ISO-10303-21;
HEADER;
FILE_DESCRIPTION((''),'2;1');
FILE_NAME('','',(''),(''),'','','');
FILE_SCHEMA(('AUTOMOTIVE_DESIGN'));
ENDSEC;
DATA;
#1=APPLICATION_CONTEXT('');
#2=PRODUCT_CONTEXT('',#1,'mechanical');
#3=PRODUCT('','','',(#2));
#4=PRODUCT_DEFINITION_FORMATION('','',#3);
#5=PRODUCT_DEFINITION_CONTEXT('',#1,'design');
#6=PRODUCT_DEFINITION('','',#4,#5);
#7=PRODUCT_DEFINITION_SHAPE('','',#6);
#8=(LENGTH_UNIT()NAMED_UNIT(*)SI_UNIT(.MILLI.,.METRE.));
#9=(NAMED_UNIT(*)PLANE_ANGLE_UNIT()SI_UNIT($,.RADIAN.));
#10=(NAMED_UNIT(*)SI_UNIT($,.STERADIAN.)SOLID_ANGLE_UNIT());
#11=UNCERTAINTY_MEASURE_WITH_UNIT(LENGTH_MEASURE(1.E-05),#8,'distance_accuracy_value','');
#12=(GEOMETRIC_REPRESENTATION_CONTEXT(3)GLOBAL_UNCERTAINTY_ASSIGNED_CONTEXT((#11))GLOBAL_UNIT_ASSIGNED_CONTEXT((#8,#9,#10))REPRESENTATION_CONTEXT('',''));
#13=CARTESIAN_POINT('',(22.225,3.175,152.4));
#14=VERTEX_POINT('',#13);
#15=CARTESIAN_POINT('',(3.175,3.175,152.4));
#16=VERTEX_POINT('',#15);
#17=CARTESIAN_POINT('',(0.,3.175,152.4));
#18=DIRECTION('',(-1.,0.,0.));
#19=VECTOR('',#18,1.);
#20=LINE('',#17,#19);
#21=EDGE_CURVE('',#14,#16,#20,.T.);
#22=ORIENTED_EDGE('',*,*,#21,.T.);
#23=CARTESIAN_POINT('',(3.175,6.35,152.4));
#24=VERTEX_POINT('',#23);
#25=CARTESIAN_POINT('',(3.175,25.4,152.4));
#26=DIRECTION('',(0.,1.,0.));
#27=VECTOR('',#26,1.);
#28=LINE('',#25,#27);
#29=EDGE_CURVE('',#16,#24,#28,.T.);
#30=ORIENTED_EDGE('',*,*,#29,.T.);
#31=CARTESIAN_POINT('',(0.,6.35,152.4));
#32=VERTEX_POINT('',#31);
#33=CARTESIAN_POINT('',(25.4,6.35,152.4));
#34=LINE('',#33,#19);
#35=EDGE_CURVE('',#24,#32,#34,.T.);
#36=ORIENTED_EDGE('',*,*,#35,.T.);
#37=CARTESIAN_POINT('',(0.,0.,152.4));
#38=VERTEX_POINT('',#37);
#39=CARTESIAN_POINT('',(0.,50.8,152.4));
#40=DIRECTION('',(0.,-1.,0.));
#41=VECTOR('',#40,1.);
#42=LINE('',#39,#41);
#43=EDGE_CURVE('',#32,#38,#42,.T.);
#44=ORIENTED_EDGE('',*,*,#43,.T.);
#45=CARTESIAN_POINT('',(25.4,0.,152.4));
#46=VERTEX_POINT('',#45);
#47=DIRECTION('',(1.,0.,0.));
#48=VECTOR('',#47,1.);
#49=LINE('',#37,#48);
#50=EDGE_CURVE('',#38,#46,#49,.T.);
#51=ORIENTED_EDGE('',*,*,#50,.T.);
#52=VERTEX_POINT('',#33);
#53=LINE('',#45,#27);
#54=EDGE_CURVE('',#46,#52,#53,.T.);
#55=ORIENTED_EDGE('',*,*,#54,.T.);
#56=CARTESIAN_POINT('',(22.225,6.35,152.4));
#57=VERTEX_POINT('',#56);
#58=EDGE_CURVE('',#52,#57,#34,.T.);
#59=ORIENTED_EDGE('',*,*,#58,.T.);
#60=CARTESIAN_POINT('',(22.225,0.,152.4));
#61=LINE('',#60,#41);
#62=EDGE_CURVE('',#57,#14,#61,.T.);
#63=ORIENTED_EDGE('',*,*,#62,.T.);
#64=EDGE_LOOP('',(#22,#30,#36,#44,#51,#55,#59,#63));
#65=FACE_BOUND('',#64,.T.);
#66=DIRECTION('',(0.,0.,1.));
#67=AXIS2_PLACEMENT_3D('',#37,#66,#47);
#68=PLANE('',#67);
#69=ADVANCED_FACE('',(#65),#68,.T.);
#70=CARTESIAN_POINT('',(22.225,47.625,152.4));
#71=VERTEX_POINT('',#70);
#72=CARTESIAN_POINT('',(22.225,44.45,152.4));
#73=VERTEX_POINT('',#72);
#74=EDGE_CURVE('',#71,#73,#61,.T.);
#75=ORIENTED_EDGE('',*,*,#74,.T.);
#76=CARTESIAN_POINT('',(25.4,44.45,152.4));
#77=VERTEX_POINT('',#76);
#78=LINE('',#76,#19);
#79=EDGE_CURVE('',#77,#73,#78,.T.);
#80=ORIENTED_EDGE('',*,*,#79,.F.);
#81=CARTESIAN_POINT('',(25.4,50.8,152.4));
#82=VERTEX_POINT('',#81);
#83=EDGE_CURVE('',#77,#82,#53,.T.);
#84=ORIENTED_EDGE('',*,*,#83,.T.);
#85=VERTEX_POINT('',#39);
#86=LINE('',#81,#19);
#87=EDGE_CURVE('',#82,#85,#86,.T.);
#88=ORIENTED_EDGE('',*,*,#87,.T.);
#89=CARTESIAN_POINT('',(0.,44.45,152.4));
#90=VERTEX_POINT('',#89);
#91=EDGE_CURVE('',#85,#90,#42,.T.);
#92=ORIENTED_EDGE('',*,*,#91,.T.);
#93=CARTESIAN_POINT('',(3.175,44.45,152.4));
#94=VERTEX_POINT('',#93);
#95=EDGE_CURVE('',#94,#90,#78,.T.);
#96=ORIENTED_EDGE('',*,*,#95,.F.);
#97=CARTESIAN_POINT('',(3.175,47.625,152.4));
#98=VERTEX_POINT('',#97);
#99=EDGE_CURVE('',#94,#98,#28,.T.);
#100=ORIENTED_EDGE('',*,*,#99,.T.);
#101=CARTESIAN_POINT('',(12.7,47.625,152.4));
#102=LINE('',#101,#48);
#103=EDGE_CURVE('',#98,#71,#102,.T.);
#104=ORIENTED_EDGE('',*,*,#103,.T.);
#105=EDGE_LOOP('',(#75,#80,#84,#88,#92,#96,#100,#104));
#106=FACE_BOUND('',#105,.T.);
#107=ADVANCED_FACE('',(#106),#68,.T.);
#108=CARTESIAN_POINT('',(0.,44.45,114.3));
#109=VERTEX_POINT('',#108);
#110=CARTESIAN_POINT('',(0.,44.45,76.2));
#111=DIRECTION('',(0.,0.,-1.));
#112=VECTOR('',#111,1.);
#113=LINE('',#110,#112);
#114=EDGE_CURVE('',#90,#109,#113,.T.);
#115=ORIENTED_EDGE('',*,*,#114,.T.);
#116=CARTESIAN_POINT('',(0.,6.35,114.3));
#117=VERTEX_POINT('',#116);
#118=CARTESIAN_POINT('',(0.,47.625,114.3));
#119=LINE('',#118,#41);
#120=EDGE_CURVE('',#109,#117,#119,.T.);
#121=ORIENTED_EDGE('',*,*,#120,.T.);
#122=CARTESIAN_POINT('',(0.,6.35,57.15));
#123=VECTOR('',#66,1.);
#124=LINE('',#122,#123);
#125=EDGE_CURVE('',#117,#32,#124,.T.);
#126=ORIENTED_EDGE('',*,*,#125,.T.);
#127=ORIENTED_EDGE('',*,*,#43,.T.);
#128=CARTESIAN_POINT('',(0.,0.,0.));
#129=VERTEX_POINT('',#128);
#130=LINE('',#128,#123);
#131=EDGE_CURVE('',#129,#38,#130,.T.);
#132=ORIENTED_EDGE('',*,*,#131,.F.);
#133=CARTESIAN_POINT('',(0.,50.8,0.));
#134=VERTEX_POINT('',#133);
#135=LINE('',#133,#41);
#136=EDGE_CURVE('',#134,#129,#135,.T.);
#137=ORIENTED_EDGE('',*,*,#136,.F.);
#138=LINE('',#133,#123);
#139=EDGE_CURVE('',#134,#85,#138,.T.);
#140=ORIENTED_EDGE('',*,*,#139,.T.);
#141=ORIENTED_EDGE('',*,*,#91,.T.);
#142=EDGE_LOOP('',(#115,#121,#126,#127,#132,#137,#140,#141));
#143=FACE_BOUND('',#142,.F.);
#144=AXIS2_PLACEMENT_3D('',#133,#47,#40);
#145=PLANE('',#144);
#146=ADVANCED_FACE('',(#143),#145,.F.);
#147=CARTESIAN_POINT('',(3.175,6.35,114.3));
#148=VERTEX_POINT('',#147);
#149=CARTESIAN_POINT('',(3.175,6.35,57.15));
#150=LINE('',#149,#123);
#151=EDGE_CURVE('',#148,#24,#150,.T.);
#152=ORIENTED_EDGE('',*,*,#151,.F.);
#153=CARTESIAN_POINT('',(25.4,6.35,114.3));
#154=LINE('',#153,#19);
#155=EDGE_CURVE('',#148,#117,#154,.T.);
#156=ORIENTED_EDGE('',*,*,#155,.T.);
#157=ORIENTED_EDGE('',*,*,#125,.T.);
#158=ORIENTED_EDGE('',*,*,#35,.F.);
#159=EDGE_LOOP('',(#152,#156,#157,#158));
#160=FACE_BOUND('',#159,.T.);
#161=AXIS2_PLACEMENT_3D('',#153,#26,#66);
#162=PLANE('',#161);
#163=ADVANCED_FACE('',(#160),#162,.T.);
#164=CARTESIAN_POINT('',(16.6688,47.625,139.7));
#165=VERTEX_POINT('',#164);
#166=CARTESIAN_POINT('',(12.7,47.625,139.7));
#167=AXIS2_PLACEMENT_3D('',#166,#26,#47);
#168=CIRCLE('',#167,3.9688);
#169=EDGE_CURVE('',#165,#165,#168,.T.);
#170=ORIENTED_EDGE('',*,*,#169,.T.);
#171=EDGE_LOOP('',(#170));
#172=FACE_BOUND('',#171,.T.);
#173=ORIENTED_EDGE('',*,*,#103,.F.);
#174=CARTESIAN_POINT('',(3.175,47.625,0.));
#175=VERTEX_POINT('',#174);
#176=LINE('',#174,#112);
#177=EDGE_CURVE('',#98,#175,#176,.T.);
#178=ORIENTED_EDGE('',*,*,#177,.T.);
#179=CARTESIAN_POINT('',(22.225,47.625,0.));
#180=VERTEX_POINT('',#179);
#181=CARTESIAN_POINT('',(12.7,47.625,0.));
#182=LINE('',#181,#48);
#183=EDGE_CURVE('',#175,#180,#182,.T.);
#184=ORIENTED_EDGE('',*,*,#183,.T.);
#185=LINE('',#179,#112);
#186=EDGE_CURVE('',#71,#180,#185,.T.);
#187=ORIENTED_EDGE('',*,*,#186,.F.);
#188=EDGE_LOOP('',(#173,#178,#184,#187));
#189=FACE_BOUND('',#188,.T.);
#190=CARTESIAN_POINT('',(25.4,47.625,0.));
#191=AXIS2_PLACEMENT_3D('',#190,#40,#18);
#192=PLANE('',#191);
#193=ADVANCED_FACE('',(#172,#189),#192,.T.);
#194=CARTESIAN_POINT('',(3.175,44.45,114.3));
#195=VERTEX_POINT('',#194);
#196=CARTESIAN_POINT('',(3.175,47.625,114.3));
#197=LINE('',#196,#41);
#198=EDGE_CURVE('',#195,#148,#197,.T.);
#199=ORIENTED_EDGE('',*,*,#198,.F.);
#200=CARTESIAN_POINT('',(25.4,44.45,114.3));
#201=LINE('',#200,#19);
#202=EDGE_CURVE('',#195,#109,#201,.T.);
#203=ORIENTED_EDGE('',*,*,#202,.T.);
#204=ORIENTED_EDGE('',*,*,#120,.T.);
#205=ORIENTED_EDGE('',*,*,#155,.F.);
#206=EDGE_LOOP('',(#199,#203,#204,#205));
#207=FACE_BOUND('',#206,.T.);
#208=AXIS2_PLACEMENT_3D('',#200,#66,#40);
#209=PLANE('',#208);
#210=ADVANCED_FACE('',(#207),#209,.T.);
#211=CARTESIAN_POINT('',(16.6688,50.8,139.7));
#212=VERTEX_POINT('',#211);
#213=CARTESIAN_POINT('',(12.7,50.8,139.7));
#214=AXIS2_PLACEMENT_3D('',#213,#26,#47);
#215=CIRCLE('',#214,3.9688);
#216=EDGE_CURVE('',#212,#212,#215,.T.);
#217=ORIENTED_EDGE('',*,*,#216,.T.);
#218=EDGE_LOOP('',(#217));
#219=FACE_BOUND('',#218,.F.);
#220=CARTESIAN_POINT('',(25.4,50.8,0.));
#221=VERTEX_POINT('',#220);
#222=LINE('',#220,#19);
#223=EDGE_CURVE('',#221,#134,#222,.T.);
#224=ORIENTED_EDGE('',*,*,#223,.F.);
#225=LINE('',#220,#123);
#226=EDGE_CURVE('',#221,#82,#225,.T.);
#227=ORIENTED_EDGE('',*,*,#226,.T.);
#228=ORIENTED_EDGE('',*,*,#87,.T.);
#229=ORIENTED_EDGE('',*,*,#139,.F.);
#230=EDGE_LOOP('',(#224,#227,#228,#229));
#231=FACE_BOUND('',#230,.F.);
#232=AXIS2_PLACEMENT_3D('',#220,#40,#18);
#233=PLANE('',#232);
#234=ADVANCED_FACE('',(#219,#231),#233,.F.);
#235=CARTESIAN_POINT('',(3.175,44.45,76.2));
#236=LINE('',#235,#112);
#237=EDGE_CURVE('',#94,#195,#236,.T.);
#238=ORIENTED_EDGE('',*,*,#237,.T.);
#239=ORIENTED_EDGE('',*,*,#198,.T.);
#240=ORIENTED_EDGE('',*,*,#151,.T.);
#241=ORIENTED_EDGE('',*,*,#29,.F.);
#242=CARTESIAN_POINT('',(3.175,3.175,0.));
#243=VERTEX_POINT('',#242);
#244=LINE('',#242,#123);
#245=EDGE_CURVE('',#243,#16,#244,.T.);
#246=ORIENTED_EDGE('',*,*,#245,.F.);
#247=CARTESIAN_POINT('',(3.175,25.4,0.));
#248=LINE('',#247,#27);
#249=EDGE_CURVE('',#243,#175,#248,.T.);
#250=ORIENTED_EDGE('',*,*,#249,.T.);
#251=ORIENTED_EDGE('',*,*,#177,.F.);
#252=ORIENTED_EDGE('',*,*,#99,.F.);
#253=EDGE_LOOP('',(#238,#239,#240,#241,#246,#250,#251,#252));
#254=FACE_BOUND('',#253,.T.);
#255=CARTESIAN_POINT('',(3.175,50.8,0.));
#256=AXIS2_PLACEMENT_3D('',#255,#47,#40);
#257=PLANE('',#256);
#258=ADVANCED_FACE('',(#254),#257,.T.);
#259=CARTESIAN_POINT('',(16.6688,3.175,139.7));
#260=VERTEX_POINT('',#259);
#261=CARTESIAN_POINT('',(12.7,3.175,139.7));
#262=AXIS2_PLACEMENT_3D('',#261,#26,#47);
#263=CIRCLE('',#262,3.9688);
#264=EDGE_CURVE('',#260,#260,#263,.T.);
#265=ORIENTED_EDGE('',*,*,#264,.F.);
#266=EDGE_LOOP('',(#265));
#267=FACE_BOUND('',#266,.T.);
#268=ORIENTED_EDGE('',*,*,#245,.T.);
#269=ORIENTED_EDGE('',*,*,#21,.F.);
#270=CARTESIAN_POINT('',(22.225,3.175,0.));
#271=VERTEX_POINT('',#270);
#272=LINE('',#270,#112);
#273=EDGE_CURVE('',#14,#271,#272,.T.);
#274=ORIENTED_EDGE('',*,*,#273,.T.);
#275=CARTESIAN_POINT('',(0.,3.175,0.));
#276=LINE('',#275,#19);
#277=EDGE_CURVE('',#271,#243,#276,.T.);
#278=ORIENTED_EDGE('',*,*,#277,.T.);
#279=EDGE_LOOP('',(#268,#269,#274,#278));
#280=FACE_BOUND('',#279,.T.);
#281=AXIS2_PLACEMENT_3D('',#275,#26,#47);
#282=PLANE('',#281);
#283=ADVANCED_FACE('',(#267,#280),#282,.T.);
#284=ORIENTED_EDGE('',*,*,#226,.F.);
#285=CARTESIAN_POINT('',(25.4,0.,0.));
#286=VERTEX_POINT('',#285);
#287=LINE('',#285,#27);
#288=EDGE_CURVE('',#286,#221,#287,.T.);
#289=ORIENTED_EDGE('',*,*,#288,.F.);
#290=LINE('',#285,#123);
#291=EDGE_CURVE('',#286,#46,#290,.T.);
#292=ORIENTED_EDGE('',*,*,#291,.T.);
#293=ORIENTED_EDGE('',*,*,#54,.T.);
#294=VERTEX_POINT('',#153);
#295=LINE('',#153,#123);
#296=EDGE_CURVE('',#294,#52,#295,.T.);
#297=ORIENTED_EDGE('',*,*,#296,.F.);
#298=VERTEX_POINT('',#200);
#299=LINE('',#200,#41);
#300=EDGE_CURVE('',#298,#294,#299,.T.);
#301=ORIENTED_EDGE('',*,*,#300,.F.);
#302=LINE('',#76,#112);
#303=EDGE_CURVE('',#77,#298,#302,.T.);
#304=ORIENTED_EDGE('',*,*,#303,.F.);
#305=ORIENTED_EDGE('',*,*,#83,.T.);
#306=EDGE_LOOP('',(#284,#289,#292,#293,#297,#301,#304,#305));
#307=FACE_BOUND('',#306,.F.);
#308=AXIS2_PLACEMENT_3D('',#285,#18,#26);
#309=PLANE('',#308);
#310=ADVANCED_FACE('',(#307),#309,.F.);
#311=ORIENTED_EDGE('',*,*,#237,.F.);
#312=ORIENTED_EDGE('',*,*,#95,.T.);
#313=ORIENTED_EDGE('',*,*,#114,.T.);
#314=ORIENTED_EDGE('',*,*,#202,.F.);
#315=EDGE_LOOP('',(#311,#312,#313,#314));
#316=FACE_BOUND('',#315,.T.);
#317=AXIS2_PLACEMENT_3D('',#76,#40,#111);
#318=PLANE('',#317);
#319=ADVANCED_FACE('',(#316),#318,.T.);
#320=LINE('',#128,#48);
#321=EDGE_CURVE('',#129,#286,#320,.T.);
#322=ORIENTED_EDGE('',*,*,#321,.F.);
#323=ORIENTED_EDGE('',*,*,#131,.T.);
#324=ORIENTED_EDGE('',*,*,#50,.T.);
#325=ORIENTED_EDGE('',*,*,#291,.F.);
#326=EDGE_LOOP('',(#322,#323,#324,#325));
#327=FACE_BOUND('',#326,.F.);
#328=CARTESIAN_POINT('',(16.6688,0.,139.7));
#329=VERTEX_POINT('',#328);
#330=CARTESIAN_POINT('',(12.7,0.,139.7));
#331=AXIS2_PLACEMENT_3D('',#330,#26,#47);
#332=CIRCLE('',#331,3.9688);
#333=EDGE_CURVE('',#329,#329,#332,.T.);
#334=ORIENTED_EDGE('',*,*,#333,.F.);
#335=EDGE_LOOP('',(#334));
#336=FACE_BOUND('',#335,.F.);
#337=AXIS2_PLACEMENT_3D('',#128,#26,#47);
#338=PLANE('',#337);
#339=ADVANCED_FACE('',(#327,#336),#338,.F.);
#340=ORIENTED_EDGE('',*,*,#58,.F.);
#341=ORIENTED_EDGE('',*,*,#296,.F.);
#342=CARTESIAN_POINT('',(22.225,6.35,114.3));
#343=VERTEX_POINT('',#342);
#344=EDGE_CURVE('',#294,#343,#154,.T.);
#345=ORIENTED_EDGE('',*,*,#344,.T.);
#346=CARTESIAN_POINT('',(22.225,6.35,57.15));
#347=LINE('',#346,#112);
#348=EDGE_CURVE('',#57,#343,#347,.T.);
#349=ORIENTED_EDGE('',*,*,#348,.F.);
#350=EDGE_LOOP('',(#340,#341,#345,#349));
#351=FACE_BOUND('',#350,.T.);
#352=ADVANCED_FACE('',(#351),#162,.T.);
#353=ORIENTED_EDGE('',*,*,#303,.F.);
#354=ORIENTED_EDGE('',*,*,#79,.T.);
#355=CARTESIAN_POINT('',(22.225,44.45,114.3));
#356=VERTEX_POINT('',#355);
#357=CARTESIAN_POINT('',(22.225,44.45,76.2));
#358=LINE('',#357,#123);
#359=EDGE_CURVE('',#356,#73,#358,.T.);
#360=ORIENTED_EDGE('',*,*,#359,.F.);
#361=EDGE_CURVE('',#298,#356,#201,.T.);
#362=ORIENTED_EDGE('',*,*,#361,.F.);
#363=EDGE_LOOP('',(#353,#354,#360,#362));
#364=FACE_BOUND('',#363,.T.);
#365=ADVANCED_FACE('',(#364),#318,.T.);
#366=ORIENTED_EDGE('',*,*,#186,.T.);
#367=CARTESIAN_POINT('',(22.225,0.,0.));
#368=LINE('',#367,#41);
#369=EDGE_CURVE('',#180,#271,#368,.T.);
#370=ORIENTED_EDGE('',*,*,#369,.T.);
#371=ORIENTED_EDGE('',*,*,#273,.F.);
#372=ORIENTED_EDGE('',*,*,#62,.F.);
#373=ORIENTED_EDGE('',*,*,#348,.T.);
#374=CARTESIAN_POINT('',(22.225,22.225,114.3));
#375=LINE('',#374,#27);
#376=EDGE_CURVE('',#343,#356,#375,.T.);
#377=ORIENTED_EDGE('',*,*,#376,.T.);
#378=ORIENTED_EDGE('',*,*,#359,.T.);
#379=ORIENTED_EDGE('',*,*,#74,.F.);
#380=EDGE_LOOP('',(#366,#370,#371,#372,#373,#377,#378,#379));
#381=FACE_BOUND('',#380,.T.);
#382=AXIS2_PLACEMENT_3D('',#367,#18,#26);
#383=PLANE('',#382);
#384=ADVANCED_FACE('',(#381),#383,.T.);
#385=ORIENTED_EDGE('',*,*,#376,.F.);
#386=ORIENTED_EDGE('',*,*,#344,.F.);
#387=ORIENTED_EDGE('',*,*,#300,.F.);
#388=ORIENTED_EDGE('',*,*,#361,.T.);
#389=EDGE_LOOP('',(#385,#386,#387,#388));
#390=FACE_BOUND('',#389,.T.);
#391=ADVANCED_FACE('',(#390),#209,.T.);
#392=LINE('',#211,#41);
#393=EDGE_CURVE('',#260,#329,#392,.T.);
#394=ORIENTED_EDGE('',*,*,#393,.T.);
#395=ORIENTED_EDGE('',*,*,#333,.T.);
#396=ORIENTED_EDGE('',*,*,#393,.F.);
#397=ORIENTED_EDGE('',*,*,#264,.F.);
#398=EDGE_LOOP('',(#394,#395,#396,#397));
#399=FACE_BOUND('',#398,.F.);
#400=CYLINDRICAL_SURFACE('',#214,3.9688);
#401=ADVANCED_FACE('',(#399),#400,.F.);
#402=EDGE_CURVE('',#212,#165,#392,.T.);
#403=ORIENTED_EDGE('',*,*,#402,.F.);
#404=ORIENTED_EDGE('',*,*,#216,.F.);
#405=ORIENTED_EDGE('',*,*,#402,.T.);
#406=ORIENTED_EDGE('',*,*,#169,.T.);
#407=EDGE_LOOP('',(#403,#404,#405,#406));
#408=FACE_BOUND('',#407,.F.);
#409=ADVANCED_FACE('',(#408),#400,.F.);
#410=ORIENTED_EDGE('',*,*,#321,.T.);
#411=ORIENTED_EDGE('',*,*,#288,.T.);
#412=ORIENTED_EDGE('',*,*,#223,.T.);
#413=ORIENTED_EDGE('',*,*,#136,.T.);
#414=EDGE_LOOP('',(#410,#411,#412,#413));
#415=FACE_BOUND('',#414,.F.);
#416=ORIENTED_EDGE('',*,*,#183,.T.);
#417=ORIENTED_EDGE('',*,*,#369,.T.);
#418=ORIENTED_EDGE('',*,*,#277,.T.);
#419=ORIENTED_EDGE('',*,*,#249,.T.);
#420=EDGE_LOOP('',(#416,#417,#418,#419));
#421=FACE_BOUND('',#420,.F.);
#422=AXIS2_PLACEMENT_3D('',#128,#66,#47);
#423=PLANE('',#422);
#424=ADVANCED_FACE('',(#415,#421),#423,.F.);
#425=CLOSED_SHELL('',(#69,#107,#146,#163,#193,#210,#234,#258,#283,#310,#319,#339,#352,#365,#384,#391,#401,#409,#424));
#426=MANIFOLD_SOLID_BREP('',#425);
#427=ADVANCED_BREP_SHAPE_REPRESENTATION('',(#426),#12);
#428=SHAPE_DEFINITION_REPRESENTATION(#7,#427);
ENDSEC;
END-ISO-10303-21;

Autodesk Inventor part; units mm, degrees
ref_plane "YZ Plane" through (0, 0, 0) normal (1, 0, 0) x (0, 1, 0)
ref_plane "XZ Plane" through (0, 0, 0) normal (0, 1, 0) x (-1, 0, 0)
ref_plane "XY Plane" through (0, 0, 0) normal (0, 0, 1) x (1, 0, 0)
sketch "Sketch1" plane through (0, 0, 0) normal (0, 0, 1) x (1, 0, 0)
  line L0 (0, 0) -> (25.4, 0)
  line L1 (25.4, 0) -> (25.4, 50.8)
  line L2 (25.4, 50.8) -> (0, 50.8)
  line L3 (0, 50.8) -> (0, 0)
  dimension "d0" = 25.4
  dimension "d1" = 50.8
extrude "Extrusion1" add sketch "Sketch1" along normal blind 152.4
shell "Shell1" thickness 3.175 removed faces 2 at (8.4667, 33.8667, 0) at (8.4667, 33.8667, 152.4)
sketch "Sketch4" plane through (25.4, 0, 0) normal (1, 0, 0) x (0, 0, -1)
  line L0 (-152.4, 50.8) -> (-152.4, 0) projected
  line L1 (0, 0) -> (-152.4, 0) projected
  line L2 (0, 50.8) -> (-152.4, 50.8) projected
  line L3 (-152.4, 44.45) -> (-114.3, 44.45)
  line L4 (-114.3, 44.45) -> (-114.3, 6.35)
  line L5 (-114.3, 6.35) -> (-152.4, 6.35)
  line L6 (-152.4, 6.35) -> (-152.4, 44.45)
  dimension "d15" = 6.35
  dimension "d16" = 6.35
  dimension "d17" = 38.1
extrude "Extrusion4" cut sketch "Sketch4" against normal through all
sketch "Sketch5" plane through (0, 50.8, 0) normal (0, 1, 0) x (1, 0, 0)
  line L0 (0, -152.4) -> (25.4, -152.4) projected
  line L1 (25.4, 0) -> (25.4, -152.4) projected
  circle A0 centre (12.7, -139.7) radius 3.9688
  dimension "d20" = 7.9375
  dimension "d21" = 12.7
  dimension "d22" = 12.7
extrude "Extrusion5" cut sketch "Sketch5" against normal through all
properties part number "Frame_LowerRollerMount" material "Aluminum-6061"
